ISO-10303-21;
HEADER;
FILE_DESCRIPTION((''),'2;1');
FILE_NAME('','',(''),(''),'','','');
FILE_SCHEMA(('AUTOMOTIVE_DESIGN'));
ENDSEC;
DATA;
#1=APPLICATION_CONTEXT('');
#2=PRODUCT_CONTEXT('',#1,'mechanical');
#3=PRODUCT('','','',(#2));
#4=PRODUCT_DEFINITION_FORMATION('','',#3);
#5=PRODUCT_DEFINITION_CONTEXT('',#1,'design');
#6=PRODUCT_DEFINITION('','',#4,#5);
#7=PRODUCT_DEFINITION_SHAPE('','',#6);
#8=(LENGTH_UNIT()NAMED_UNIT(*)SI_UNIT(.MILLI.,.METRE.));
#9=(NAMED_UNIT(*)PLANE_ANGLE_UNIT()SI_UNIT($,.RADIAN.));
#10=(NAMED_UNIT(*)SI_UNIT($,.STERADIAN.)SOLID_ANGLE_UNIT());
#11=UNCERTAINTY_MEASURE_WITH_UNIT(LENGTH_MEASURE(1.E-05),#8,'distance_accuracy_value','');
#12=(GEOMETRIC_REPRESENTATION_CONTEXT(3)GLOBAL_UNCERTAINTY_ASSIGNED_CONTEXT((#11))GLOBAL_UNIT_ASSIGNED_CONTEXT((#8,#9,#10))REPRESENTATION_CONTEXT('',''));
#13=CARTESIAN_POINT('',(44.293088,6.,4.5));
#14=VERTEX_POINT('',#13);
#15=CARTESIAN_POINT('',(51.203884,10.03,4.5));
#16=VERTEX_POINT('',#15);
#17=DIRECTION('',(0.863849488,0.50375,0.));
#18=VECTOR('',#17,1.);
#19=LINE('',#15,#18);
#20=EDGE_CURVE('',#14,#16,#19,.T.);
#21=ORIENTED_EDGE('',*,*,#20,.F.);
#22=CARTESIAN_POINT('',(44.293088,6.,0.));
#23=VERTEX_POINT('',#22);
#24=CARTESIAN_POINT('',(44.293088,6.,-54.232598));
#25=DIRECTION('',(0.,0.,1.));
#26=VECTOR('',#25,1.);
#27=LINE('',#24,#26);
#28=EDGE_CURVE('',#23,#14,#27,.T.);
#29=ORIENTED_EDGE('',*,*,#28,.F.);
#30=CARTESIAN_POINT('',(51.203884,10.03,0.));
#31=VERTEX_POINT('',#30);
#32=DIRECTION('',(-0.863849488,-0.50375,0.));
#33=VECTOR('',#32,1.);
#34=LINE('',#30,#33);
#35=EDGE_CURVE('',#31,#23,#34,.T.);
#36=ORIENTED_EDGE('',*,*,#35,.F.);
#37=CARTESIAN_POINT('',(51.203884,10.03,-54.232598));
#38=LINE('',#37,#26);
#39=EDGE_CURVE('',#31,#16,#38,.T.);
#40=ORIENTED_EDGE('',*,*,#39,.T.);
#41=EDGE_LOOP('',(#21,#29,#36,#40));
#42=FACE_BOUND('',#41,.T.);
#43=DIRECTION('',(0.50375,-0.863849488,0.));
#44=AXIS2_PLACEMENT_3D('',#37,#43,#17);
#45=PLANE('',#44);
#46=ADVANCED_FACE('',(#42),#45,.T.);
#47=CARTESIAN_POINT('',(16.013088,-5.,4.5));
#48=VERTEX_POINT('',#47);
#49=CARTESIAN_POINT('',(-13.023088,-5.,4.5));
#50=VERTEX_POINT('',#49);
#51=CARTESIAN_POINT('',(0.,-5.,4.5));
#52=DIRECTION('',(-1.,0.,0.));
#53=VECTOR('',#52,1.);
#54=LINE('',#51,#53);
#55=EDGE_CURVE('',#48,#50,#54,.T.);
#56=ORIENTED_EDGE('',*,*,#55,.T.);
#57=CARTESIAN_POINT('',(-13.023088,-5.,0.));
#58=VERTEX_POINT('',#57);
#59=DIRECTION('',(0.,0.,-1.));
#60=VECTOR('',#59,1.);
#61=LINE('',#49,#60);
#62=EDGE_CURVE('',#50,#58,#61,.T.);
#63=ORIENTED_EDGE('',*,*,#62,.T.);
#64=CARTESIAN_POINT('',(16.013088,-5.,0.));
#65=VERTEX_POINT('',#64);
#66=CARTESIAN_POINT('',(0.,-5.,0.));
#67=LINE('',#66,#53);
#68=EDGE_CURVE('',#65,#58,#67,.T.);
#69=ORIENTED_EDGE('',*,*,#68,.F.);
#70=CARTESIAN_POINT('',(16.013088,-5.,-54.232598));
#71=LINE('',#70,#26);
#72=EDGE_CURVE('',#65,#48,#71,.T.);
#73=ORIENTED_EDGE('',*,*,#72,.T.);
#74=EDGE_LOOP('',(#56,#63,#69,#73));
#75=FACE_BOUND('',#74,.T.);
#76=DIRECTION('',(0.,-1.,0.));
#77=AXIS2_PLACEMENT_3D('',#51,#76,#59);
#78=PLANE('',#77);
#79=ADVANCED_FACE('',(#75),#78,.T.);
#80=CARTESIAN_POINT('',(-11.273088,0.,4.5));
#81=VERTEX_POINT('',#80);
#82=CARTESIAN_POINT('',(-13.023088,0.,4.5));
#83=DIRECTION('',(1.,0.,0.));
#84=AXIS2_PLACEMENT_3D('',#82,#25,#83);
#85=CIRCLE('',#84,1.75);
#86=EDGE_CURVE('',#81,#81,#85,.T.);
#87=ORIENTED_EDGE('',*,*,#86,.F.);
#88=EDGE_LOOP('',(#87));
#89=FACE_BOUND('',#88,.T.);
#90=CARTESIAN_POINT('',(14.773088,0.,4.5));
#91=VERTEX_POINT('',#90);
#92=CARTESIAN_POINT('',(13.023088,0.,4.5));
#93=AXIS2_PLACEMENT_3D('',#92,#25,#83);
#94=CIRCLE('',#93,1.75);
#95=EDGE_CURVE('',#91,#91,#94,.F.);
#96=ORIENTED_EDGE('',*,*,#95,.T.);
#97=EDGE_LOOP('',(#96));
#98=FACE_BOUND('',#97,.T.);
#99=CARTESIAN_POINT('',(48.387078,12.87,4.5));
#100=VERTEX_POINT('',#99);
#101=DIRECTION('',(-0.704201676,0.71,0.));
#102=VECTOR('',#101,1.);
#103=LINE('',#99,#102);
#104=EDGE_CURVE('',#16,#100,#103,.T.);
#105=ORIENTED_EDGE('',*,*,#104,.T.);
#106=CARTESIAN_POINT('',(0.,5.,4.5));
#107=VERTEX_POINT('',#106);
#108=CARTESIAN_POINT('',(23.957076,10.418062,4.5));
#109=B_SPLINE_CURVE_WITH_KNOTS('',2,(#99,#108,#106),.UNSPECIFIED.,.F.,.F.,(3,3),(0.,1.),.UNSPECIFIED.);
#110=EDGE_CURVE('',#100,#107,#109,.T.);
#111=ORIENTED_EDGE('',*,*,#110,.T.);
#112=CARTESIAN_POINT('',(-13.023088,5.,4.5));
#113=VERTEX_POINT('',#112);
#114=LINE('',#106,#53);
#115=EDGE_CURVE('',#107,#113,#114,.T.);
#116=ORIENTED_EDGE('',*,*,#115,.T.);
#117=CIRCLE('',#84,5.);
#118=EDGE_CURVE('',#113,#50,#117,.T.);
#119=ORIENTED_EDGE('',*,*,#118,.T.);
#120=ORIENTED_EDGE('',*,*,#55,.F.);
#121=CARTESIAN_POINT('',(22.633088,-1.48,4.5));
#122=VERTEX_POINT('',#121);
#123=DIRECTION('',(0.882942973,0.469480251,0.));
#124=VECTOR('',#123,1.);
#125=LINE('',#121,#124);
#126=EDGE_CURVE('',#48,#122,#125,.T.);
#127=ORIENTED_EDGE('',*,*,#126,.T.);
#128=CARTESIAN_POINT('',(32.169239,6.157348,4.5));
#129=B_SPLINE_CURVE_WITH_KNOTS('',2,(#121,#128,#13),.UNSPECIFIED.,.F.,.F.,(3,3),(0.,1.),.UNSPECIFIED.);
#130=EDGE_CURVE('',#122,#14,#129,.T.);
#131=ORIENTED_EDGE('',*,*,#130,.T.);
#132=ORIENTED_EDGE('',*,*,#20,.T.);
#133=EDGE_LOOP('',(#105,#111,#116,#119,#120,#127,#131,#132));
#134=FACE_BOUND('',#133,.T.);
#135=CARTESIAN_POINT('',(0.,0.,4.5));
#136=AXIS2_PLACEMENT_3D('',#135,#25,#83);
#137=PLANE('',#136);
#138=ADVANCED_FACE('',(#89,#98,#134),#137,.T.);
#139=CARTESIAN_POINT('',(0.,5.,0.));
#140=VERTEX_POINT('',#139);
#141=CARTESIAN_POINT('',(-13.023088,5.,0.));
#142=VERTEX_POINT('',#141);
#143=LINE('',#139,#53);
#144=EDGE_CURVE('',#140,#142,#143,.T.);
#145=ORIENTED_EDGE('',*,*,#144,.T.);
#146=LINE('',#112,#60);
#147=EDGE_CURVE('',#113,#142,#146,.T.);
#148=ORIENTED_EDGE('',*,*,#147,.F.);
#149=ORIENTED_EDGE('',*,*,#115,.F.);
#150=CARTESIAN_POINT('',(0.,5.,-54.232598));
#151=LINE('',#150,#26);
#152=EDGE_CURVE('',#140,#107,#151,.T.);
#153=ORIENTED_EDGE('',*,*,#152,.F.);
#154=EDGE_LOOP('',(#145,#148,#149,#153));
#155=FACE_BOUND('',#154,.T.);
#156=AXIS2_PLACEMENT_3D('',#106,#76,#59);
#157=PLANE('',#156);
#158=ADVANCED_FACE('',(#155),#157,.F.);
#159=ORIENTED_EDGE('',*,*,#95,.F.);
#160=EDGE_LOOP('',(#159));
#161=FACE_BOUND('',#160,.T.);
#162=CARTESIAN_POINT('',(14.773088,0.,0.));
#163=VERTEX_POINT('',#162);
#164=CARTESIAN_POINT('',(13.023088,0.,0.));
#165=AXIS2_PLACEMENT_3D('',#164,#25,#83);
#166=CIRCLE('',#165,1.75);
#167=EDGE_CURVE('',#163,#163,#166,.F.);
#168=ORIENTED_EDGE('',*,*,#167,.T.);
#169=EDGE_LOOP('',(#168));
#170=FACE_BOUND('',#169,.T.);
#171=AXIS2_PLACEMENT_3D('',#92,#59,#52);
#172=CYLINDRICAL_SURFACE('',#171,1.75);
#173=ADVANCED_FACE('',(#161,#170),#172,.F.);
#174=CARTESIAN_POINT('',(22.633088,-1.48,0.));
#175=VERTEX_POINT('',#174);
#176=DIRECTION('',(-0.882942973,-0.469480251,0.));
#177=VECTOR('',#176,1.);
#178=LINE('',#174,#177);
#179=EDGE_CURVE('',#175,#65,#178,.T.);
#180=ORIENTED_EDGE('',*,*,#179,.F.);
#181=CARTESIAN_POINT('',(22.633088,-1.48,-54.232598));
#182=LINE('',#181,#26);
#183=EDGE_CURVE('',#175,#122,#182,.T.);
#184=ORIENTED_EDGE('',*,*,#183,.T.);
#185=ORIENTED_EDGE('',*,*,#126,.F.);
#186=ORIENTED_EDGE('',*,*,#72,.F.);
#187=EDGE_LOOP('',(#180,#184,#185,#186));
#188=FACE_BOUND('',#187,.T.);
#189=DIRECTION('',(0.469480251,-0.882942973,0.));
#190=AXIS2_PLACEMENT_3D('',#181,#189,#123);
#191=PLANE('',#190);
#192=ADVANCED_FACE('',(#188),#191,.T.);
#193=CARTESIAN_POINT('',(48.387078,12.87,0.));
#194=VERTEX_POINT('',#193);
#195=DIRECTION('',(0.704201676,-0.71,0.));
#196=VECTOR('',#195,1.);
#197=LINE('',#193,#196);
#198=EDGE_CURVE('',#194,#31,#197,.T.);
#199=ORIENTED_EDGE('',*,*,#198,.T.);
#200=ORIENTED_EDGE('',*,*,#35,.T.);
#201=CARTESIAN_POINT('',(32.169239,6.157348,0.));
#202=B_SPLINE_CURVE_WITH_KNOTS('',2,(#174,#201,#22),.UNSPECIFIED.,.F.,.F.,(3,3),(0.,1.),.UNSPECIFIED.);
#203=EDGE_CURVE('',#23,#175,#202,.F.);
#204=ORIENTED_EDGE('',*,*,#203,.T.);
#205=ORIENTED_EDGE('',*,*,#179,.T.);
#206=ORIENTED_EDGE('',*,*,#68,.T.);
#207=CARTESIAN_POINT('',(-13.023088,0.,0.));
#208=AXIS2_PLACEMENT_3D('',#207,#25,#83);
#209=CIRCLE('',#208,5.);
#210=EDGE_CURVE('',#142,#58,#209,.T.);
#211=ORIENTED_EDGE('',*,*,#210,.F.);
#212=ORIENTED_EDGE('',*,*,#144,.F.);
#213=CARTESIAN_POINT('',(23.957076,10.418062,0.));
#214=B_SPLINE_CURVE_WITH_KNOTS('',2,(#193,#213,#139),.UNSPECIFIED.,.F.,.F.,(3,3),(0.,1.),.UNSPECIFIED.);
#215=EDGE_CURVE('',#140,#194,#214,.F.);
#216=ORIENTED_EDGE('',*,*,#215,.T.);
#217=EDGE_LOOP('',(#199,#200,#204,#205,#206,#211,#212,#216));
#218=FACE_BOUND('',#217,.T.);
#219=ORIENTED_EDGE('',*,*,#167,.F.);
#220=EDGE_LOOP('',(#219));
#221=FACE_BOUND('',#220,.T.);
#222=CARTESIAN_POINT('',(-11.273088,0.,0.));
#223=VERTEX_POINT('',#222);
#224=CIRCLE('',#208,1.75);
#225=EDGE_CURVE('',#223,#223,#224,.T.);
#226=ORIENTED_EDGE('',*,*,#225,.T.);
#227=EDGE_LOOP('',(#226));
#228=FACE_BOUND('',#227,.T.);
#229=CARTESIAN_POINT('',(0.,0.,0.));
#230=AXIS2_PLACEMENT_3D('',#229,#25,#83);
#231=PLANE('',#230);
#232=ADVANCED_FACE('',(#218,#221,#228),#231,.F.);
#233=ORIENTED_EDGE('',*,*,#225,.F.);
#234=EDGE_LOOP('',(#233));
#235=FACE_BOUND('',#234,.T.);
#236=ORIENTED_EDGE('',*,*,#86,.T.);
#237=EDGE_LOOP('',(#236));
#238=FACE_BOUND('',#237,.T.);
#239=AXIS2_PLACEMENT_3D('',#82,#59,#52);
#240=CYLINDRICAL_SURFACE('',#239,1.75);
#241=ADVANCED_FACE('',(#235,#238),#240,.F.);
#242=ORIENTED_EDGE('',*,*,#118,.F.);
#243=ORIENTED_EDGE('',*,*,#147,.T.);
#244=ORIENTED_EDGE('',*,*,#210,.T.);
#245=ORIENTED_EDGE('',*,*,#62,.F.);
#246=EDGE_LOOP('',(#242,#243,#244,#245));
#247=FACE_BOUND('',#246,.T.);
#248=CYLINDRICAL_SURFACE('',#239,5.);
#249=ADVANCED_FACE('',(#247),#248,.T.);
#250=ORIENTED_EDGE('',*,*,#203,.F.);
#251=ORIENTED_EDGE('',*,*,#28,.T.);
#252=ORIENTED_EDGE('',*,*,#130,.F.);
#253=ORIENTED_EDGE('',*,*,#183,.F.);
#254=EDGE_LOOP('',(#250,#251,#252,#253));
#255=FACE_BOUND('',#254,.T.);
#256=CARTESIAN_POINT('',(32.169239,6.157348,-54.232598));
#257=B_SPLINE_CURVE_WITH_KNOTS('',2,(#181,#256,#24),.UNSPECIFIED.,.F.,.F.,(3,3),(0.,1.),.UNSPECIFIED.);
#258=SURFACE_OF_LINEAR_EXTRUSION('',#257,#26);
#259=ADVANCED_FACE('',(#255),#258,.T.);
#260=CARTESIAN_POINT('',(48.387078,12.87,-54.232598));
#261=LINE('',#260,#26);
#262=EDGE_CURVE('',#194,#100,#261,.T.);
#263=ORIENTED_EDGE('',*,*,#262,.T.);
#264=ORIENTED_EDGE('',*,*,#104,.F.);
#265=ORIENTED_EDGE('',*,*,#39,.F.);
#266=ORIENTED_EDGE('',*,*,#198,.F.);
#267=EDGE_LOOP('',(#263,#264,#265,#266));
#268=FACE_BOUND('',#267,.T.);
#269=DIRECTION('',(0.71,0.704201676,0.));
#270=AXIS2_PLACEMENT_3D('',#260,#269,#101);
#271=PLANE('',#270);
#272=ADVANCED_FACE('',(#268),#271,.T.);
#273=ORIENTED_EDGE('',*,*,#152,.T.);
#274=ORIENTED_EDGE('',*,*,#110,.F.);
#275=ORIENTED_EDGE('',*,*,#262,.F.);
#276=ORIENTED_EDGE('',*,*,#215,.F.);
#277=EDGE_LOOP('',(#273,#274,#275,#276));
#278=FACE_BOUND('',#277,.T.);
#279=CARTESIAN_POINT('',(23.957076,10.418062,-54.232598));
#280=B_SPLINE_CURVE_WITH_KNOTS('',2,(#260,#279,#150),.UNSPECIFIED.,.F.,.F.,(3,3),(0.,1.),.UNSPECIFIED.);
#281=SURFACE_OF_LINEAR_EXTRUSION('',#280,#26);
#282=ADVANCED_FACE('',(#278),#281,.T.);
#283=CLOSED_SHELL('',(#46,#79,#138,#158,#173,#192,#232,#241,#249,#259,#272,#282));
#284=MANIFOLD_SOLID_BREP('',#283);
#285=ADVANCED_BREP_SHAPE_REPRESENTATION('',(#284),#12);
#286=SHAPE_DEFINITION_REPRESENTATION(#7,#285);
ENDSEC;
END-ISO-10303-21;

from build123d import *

# Parameters (mm, degrees)
SKETCH1_R           = 5
SKETCH1_R_2         = 1.75
BOSS_EXTRUDE1_DEPTH = 4.5
BOSS_EXTRUDE2_START = -4.5
BOSS_EXTRUDE2_DEPTH = 4.5


with BuildPart() as part:
    # Sketch1 → Boss-Extrude1 (new body)
    # profile 1 of 3: a face of its own
    with BuildSketch(Plane.XY):
        with Locations((-13.023088496, 0)):
            Circle(SKETCH1_R)
        with Locations((-13.023088496, 0)):
            Circle(SKETCH1_R_2, mode=Mode.SUBTRACT)
    # profile 2 of 3: a face of its own
    with BuildSketch(Plane.XY):
        with Locations((13.023088496, 0)):
            Circle(SKETCH1_R)
        with Locations((13.023088496, 0)):
            Circle(SKETCH1_R_2, mode=Mode.SUBTRACT)
    # profile 3 of 3: a face of its own
    with BuildSketch(Plane.XY):
        with BuildLine():
            Line((-13.023088477, -5), (13.023088496, -5))
            ThreePointArc((13.023088496, -5), (8.023088496, 0), (13.023088496, 5))
            Line((13.023088496, 5), (-13.02308848, 5))
            ThreePointArc((-13.02308848, 5), (-9.487554585, 3.5355339), (-8.023088496, 0))
            ThreePointArc((-8.023088496, 0), (-9.487554584, -3.535533899), (-13.023088477, -5))
        make_face()
    extrude(amount=BOSS_EXTRUDE1_DEPTH)

    # Sketch2 → Boss-Extrude2 (add)
    with BuildSketch(Plane.XY.offset(4.5).offset(BOSS_EXTRUDE2_START)):
        with BuildLine():
            Line((48.387077696, 12.87), (51.203884398, 10.03))
            Line((51.203884398, 10.03), (44.293088496, 6))
            add(Edge.make_bspline(
                [(44.293088496, 6), (32.169239244, 6.157348305), (22.633088496, -1.48)],
                knots=[0, 0, 0, 1, 1, 1], degree=2))
            Line((22.633088496, -1.48), (16.013088496, -5))
            Line((16.013088496, -5), (13.023088496, -5))
            ThreePointArc((13.023088496, -5), (18.023088496, 0), (13.023088496, 5))
            Line((13.023088496, 5), (0, 5))
            add(Edge.make_bspline(
                [(0, 5), (23.957075796, 10.418061583), (48.387077696, 12.87)],
                knots=[0, 0, 0, 1, 1, 1], degree=2))
        make_face()
    extrude(amount=BOSS_EXTRUDE2_DEPTH)


solid = part.part
